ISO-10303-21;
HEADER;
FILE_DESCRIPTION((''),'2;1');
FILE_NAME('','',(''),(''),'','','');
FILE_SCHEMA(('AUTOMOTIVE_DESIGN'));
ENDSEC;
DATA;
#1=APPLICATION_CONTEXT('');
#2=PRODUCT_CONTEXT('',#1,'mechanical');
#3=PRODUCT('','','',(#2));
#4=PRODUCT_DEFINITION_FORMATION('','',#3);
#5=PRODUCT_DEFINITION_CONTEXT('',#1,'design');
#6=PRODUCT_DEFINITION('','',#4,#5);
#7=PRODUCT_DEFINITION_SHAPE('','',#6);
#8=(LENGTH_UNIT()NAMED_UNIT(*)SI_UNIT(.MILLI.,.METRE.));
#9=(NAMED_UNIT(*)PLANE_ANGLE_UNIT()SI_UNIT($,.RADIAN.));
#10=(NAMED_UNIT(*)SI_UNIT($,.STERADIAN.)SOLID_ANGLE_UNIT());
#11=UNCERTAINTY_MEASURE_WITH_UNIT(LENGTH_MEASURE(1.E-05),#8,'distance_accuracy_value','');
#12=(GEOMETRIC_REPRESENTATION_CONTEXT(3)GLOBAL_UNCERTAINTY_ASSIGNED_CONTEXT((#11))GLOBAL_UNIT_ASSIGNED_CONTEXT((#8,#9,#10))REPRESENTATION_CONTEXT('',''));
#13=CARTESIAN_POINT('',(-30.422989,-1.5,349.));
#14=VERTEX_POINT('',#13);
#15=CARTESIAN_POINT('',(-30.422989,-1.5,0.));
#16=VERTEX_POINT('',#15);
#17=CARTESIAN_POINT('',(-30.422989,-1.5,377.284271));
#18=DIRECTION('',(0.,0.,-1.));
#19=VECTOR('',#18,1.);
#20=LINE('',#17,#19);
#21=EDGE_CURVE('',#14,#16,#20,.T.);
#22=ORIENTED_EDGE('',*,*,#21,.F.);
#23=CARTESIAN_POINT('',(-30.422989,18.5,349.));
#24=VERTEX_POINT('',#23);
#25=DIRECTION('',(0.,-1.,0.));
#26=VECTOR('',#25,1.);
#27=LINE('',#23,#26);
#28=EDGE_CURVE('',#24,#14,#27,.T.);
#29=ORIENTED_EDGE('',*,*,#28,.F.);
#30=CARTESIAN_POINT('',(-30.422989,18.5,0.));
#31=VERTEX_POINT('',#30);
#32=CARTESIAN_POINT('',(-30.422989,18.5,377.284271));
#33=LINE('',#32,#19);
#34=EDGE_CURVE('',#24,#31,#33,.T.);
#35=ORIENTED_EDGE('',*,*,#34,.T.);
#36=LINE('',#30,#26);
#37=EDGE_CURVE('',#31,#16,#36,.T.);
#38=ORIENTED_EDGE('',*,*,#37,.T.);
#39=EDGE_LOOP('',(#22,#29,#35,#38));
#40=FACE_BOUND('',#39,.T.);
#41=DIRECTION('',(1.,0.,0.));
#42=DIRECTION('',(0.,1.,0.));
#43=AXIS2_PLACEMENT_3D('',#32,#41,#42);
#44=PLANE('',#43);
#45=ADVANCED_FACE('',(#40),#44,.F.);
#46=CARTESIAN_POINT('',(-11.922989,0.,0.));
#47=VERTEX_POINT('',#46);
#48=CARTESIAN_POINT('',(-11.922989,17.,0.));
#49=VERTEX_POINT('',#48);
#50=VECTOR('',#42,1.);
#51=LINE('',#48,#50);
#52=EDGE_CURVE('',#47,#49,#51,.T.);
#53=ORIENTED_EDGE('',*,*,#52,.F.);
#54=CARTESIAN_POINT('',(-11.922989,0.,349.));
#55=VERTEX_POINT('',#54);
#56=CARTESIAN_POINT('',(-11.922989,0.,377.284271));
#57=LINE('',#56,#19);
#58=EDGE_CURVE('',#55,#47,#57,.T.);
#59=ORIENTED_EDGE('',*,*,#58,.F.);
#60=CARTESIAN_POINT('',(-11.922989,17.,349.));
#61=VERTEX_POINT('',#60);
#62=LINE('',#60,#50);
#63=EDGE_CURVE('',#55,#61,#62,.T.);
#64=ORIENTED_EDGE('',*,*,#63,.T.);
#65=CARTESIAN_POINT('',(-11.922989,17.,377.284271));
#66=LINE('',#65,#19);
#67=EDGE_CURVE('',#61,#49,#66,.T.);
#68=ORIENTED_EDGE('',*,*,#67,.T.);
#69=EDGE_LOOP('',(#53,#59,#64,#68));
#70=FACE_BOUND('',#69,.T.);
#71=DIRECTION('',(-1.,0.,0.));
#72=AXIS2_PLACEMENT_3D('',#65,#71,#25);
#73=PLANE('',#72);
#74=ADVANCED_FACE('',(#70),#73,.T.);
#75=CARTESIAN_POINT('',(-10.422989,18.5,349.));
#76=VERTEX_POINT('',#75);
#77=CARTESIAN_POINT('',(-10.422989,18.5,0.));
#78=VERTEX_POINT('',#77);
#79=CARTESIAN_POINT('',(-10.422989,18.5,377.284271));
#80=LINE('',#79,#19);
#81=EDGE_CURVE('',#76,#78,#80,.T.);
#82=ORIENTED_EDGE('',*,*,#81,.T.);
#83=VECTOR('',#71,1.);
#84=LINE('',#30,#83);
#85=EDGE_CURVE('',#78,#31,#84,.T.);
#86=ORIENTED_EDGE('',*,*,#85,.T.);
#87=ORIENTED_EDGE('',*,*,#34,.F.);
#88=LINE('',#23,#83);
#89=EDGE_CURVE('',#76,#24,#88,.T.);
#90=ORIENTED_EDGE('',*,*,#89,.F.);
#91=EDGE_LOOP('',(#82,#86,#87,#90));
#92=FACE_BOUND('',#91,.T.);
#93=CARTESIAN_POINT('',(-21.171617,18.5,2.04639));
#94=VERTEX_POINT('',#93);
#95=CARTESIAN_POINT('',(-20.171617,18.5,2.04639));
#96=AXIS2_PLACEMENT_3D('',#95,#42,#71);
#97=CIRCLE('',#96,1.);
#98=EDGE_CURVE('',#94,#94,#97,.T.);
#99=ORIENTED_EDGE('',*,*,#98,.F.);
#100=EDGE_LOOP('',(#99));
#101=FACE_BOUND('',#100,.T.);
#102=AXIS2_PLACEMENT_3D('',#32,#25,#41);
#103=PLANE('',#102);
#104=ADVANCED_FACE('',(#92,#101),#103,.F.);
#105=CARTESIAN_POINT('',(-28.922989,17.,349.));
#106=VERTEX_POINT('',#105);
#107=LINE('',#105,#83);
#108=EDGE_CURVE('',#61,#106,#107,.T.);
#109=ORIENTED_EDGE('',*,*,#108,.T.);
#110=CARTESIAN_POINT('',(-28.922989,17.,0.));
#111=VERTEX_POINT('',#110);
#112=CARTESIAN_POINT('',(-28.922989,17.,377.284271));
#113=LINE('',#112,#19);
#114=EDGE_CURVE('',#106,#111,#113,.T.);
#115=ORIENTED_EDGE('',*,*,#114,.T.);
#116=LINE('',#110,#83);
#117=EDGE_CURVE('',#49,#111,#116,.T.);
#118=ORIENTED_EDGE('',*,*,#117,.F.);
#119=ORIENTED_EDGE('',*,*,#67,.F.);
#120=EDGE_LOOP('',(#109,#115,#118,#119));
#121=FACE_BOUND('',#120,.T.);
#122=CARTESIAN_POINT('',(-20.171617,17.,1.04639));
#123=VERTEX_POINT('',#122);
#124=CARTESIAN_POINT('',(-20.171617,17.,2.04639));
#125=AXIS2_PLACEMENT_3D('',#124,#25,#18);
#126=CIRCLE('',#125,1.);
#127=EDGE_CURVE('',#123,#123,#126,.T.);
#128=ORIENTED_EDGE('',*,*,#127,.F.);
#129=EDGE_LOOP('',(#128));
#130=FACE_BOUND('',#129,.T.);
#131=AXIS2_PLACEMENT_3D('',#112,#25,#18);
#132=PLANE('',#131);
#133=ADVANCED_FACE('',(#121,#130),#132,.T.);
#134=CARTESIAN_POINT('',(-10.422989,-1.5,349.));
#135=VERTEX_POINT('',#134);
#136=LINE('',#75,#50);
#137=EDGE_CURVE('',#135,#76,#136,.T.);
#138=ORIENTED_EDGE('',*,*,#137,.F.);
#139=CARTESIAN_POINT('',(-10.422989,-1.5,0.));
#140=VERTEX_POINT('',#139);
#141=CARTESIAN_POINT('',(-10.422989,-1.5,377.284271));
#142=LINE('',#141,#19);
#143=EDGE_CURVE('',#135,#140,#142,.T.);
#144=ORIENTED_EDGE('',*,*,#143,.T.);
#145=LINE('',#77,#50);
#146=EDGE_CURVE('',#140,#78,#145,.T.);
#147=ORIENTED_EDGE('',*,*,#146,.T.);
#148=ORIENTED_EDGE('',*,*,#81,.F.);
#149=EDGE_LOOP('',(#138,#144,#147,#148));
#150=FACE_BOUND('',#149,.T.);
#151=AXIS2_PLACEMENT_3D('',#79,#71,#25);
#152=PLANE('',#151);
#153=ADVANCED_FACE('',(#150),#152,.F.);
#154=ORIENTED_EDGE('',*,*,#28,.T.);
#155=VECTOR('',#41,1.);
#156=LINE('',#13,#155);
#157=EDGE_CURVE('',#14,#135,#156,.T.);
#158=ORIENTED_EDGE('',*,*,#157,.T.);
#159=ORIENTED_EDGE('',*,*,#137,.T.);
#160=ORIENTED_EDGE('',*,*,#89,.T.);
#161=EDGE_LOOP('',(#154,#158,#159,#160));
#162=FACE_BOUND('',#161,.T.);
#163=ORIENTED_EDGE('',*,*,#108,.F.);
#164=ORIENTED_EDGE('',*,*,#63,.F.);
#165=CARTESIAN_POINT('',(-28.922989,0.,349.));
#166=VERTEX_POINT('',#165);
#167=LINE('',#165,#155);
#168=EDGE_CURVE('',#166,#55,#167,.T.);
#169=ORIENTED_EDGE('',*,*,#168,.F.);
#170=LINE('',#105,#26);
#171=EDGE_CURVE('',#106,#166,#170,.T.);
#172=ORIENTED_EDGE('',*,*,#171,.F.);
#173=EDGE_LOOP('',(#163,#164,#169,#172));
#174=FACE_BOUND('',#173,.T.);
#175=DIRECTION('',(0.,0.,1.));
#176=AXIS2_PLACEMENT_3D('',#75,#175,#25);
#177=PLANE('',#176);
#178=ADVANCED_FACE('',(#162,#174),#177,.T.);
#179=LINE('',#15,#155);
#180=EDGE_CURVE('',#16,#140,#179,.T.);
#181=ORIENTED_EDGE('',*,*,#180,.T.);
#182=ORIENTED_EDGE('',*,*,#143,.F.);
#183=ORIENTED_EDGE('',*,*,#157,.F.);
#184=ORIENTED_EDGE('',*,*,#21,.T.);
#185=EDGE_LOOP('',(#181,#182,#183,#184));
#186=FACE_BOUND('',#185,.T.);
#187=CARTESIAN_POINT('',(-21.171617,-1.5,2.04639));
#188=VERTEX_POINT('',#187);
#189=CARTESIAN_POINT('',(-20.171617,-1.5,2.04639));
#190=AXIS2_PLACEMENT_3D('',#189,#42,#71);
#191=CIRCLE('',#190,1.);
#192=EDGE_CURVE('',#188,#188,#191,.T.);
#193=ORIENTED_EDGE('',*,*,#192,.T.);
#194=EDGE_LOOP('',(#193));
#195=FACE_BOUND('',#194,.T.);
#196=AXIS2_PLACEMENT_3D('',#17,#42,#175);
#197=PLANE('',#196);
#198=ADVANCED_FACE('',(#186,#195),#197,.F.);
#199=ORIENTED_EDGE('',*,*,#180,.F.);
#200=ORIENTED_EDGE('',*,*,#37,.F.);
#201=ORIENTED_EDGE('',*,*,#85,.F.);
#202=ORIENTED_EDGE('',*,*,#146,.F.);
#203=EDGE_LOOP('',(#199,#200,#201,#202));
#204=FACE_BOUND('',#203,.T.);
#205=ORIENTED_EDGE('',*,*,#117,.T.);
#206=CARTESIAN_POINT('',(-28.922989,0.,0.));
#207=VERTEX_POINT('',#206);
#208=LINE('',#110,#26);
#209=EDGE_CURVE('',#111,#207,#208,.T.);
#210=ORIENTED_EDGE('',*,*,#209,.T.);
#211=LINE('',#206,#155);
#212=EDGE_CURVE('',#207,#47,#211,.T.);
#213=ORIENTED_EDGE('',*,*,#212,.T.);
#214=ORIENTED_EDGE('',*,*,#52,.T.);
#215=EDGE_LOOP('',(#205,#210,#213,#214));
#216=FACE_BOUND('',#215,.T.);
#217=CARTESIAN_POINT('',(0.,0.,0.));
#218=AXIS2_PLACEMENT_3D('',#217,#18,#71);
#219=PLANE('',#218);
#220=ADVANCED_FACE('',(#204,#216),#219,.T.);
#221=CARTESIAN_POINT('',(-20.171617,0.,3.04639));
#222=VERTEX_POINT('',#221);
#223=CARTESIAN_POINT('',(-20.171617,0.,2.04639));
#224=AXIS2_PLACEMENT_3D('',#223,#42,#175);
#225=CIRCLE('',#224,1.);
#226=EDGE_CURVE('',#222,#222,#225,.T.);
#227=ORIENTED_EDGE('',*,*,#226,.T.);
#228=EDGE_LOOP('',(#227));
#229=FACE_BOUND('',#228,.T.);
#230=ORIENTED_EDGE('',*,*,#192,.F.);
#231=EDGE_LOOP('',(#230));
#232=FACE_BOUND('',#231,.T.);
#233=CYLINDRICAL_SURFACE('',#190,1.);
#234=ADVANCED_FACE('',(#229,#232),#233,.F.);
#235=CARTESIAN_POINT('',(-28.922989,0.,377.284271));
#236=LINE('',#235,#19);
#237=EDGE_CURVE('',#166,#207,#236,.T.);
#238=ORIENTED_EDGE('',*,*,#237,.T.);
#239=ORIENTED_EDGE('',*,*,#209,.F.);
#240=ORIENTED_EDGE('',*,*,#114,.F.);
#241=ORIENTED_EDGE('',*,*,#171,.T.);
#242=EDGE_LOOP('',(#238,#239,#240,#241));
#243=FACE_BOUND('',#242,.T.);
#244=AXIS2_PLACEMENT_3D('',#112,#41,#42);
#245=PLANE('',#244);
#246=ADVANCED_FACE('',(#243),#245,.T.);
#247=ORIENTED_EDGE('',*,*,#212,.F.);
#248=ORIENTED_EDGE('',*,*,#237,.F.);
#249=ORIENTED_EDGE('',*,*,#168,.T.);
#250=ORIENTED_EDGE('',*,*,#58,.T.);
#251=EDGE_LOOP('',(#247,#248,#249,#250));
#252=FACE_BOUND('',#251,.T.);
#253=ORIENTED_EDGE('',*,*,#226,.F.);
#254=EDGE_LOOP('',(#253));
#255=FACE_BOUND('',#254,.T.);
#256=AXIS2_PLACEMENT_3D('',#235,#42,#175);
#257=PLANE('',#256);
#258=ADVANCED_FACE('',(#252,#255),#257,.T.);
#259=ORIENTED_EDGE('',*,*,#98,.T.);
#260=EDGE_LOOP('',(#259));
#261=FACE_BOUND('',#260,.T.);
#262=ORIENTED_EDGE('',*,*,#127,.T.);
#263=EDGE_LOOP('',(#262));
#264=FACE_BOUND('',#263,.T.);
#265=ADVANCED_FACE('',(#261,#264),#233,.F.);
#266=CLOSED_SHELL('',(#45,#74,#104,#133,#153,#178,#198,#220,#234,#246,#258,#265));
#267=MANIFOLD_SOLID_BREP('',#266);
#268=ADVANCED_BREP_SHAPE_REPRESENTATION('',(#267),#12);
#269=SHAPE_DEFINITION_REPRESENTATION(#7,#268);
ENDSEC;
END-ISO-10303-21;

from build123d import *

# Parameters (mm, degrees)
SZKIC1_W                    = 20
SZKIC1_H                    = 20
SZKIC1_W_2                  = 17
SZKIC1_H_2                  = 17
DODANIE_WYCI_GNI_CIE1_DEPTH = 349
SZKIC3_R                    = 1
WYTNIJ_WYCI_GNI_CIE1_DEPTH  = 351.8939416


with BuildPart() as part:
    # Szkic1 → Dodanie-wyciągnięcie1 (new body)
    with BuildSketch(Plane.XY):
        with Locations((-20.422988866, 8.5)):
            Rectangle(SZKIC1_W, SZKIC1_H)
        with Locations((-20.422988866, 8.5)):
            Rectangle(SZKIC1_W_2, SZKIC1_H_2, mode=Mode.SUBTRACT)
    extrude(amount=DODANIE_WYCI_GNI_CIE1_DEPTH)

    # Szkic3 → Wytnij-wyciągnięcie1 (cut, through all)
    with BuildSketch(Plane(origin=(0, 18.5, 0), x_dir=(1, 0, 0), z_dir=(0, 1, 0))):
        with Locations(Location((-20.171616984, -2.046389983, 0), (0, 0, 180))):
            Circle(SZKIC3_R)
    extrude(amount=-WYTNIJ_WYCI_GNI_CIE1_DEPTH, mode=Mode.SUBTRACT)


solid = part.part
